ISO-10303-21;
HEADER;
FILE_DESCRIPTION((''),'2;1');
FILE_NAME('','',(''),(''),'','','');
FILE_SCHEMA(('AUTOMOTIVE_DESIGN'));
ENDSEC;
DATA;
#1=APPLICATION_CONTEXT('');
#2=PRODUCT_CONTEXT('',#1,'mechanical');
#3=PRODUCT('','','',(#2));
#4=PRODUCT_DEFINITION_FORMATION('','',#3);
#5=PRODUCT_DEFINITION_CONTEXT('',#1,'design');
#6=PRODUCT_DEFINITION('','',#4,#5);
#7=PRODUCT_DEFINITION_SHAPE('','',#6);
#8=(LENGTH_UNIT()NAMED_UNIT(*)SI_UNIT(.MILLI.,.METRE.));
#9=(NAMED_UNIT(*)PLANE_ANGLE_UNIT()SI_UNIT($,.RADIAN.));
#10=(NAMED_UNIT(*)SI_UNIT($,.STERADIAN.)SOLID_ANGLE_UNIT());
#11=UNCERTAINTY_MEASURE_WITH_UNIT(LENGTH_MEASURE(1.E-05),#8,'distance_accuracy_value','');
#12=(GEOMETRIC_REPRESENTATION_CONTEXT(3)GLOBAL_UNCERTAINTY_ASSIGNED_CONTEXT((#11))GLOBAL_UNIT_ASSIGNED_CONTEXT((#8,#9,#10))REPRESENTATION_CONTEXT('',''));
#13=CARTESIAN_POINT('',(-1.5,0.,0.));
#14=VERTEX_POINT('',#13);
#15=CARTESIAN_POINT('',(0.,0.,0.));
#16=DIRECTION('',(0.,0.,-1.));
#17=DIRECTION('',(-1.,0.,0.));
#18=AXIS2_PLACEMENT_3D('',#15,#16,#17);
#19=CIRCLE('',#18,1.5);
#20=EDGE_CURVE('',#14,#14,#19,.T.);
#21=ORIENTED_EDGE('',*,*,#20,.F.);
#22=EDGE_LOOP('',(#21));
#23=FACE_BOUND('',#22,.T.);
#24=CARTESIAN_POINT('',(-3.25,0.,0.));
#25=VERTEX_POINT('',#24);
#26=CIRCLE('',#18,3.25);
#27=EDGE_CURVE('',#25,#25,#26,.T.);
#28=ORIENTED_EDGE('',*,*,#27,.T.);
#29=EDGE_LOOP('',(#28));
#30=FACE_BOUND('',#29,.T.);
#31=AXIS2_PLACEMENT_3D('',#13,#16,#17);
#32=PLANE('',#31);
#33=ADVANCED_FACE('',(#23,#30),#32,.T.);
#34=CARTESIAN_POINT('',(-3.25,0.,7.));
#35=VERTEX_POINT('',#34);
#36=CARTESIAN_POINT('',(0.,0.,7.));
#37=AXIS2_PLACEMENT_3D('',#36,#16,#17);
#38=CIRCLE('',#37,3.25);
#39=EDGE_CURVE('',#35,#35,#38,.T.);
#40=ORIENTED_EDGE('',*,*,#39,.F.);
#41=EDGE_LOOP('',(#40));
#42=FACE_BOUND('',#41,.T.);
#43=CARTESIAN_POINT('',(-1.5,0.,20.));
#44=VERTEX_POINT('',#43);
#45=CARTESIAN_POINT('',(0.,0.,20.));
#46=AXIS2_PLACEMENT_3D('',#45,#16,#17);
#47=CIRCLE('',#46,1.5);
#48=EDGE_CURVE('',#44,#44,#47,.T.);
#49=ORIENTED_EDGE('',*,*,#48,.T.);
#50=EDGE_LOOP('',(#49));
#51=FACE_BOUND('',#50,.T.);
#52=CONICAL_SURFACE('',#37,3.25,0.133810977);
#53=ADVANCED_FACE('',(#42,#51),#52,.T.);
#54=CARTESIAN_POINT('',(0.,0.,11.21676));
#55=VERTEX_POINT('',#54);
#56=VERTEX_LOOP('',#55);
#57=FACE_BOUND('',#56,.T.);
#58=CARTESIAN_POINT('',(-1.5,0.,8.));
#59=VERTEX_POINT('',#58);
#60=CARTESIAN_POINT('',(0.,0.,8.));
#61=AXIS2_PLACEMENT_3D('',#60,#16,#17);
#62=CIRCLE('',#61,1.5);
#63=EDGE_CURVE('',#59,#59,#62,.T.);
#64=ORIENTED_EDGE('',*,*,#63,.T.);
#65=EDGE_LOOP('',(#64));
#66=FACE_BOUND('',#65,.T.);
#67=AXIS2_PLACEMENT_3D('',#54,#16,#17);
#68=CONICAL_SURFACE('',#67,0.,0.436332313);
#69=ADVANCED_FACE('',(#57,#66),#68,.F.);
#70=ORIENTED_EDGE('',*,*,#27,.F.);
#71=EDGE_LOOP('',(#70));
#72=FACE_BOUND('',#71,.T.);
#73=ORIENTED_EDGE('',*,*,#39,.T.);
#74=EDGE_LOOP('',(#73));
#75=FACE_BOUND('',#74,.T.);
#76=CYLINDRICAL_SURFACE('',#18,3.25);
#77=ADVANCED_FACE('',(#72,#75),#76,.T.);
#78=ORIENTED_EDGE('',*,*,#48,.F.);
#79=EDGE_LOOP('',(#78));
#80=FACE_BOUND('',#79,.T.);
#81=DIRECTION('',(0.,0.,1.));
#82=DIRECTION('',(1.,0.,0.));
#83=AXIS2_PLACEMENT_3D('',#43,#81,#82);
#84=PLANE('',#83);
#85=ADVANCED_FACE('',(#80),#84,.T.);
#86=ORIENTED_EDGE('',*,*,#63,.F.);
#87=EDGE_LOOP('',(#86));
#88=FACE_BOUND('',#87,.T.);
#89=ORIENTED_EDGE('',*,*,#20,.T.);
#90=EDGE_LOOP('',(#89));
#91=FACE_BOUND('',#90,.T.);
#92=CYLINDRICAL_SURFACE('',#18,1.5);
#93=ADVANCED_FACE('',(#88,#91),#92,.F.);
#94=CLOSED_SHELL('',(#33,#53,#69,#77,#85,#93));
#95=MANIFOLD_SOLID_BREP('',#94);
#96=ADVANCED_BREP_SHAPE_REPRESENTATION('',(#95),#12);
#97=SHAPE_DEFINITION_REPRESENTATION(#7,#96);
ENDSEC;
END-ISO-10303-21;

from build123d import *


with BuildPart() as part:
    # Эскиз1 → Повернуть2 (revolve)
    with BuildSketch(Plane(origin=(0, 0, 0), x_dir=(1, 0, 0), z_dir=(0, 1, 0))):
        Polygon((0, -11.216760381), (-1.5, -8), (-1.5, 0), (-3.25, 0), (-3.25, -7), (-1.5, -20), (0, -20), align=None)
    revolve(axis=Axis((0, 0, 0), (0, 0, 1)))


solid = part.part
